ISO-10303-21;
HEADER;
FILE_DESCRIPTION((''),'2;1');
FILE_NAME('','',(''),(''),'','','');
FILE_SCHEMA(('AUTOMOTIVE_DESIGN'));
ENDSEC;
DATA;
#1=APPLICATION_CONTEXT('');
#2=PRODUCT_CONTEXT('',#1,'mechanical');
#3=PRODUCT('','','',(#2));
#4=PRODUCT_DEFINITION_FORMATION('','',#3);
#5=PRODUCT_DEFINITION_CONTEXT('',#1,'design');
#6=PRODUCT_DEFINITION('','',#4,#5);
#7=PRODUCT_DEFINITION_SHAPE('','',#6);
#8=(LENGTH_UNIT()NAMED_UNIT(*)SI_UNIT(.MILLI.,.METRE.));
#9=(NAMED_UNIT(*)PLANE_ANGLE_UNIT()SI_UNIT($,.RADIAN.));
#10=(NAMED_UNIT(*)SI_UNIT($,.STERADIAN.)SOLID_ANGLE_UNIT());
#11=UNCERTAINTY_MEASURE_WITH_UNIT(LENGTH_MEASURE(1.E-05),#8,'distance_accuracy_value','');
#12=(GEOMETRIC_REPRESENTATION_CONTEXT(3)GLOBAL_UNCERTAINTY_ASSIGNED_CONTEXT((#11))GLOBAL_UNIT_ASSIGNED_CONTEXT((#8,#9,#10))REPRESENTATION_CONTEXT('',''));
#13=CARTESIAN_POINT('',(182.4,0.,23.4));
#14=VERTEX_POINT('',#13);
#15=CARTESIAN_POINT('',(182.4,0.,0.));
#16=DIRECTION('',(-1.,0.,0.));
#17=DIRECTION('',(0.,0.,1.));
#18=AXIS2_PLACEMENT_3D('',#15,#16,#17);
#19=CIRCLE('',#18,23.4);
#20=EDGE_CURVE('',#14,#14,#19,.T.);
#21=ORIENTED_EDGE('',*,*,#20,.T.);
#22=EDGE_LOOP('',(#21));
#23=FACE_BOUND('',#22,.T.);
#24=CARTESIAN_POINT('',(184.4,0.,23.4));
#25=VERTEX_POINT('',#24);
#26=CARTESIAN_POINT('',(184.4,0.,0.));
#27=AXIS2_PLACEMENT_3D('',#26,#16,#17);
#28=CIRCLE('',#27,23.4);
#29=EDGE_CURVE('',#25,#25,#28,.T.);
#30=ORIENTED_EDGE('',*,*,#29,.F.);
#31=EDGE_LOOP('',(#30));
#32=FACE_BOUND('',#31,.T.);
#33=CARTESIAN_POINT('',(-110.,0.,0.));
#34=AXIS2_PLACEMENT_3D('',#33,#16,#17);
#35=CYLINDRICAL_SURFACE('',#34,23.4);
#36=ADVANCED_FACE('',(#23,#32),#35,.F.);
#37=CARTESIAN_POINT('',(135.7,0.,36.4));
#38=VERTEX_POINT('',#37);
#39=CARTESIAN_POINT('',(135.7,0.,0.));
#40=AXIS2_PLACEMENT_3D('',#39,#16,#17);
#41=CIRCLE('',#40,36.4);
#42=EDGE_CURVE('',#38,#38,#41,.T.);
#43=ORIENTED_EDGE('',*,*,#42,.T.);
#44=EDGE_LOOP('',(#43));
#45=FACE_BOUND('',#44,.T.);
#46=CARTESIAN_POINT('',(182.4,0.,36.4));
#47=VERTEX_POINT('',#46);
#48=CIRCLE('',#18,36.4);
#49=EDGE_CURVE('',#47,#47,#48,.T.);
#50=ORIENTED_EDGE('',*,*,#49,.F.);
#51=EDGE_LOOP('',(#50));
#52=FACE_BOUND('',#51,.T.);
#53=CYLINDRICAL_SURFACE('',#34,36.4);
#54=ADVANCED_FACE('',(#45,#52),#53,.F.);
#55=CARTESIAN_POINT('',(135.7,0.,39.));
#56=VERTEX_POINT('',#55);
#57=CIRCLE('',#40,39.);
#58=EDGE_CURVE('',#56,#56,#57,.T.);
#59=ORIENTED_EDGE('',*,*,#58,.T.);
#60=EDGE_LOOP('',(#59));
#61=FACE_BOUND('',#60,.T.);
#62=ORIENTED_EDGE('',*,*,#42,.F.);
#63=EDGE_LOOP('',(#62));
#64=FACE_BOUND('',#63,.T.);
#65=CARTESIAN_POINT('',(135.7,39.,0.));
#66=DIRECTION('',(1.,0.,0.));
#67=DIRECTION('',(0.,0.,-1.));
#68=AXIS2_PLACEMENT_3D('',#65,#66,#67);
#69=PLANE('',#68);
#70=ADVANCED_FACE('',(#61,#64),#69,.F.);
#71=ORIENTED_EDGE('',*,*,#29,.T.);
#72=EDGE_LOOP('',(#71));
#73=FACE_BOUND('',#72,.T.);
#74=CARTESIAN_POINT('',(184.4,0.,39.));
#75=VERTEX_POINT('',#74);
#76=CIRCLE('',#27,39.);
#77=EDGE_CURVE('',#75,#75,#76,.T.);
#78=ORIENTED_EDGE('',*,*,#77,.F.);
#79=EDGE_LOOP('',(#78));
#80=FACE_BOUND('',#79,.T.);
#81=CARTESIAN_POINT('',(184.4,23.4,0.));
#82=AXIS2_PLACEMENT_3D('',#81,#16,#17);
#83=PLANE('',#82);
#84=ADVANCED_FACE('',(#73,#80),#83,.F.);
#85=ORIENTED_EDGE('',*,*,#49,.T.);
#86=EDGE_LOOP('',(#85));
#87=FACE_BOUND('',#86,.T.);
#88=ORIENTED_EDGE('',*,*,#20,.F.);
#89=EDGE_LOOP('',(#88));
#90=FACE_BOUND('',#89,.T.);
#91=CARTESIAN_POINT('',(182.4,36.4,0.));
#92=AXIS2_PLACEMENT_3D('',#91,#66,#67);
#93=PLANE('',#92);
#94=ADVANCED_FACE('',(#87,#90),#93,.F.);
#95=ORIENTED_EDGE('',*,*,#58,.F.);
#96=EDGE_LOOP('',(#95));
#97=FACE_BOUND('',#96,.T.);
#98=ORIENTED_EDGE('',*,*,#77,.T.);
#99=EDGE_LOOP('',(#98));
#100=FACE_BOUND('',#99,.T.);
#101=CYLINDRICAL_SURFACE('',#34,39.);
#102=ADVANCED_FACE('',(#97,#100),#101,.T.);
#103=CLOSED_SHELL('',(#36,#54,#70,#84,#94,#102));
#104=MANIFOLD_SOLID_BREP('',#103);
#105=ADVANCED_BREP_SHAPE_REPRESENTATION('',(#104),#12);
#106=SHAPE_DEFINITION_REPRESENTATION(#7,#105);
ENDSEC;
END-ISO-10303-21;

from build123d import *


with BuildPart() as part:
    # Axial profile (mm) → Full revolution (revolve)
    with BuildSketch(Plane.XY, mode=Mode.PRIVATE) as full_revolution_sk:
        Polygon((135.7, 36.4), (182.4, 36.4), (182.4, 23.4), (184.4, 23.4), (184.4, 39), (135.7, 39), align=None)
    revolve(full_revolution_sk.sketch.rotate(Axis((-110, 0, 0), (1, 0, 0)), 90), axis=Axis((-110, 0, 0), (1, 0, 0)))


solid = part.part
